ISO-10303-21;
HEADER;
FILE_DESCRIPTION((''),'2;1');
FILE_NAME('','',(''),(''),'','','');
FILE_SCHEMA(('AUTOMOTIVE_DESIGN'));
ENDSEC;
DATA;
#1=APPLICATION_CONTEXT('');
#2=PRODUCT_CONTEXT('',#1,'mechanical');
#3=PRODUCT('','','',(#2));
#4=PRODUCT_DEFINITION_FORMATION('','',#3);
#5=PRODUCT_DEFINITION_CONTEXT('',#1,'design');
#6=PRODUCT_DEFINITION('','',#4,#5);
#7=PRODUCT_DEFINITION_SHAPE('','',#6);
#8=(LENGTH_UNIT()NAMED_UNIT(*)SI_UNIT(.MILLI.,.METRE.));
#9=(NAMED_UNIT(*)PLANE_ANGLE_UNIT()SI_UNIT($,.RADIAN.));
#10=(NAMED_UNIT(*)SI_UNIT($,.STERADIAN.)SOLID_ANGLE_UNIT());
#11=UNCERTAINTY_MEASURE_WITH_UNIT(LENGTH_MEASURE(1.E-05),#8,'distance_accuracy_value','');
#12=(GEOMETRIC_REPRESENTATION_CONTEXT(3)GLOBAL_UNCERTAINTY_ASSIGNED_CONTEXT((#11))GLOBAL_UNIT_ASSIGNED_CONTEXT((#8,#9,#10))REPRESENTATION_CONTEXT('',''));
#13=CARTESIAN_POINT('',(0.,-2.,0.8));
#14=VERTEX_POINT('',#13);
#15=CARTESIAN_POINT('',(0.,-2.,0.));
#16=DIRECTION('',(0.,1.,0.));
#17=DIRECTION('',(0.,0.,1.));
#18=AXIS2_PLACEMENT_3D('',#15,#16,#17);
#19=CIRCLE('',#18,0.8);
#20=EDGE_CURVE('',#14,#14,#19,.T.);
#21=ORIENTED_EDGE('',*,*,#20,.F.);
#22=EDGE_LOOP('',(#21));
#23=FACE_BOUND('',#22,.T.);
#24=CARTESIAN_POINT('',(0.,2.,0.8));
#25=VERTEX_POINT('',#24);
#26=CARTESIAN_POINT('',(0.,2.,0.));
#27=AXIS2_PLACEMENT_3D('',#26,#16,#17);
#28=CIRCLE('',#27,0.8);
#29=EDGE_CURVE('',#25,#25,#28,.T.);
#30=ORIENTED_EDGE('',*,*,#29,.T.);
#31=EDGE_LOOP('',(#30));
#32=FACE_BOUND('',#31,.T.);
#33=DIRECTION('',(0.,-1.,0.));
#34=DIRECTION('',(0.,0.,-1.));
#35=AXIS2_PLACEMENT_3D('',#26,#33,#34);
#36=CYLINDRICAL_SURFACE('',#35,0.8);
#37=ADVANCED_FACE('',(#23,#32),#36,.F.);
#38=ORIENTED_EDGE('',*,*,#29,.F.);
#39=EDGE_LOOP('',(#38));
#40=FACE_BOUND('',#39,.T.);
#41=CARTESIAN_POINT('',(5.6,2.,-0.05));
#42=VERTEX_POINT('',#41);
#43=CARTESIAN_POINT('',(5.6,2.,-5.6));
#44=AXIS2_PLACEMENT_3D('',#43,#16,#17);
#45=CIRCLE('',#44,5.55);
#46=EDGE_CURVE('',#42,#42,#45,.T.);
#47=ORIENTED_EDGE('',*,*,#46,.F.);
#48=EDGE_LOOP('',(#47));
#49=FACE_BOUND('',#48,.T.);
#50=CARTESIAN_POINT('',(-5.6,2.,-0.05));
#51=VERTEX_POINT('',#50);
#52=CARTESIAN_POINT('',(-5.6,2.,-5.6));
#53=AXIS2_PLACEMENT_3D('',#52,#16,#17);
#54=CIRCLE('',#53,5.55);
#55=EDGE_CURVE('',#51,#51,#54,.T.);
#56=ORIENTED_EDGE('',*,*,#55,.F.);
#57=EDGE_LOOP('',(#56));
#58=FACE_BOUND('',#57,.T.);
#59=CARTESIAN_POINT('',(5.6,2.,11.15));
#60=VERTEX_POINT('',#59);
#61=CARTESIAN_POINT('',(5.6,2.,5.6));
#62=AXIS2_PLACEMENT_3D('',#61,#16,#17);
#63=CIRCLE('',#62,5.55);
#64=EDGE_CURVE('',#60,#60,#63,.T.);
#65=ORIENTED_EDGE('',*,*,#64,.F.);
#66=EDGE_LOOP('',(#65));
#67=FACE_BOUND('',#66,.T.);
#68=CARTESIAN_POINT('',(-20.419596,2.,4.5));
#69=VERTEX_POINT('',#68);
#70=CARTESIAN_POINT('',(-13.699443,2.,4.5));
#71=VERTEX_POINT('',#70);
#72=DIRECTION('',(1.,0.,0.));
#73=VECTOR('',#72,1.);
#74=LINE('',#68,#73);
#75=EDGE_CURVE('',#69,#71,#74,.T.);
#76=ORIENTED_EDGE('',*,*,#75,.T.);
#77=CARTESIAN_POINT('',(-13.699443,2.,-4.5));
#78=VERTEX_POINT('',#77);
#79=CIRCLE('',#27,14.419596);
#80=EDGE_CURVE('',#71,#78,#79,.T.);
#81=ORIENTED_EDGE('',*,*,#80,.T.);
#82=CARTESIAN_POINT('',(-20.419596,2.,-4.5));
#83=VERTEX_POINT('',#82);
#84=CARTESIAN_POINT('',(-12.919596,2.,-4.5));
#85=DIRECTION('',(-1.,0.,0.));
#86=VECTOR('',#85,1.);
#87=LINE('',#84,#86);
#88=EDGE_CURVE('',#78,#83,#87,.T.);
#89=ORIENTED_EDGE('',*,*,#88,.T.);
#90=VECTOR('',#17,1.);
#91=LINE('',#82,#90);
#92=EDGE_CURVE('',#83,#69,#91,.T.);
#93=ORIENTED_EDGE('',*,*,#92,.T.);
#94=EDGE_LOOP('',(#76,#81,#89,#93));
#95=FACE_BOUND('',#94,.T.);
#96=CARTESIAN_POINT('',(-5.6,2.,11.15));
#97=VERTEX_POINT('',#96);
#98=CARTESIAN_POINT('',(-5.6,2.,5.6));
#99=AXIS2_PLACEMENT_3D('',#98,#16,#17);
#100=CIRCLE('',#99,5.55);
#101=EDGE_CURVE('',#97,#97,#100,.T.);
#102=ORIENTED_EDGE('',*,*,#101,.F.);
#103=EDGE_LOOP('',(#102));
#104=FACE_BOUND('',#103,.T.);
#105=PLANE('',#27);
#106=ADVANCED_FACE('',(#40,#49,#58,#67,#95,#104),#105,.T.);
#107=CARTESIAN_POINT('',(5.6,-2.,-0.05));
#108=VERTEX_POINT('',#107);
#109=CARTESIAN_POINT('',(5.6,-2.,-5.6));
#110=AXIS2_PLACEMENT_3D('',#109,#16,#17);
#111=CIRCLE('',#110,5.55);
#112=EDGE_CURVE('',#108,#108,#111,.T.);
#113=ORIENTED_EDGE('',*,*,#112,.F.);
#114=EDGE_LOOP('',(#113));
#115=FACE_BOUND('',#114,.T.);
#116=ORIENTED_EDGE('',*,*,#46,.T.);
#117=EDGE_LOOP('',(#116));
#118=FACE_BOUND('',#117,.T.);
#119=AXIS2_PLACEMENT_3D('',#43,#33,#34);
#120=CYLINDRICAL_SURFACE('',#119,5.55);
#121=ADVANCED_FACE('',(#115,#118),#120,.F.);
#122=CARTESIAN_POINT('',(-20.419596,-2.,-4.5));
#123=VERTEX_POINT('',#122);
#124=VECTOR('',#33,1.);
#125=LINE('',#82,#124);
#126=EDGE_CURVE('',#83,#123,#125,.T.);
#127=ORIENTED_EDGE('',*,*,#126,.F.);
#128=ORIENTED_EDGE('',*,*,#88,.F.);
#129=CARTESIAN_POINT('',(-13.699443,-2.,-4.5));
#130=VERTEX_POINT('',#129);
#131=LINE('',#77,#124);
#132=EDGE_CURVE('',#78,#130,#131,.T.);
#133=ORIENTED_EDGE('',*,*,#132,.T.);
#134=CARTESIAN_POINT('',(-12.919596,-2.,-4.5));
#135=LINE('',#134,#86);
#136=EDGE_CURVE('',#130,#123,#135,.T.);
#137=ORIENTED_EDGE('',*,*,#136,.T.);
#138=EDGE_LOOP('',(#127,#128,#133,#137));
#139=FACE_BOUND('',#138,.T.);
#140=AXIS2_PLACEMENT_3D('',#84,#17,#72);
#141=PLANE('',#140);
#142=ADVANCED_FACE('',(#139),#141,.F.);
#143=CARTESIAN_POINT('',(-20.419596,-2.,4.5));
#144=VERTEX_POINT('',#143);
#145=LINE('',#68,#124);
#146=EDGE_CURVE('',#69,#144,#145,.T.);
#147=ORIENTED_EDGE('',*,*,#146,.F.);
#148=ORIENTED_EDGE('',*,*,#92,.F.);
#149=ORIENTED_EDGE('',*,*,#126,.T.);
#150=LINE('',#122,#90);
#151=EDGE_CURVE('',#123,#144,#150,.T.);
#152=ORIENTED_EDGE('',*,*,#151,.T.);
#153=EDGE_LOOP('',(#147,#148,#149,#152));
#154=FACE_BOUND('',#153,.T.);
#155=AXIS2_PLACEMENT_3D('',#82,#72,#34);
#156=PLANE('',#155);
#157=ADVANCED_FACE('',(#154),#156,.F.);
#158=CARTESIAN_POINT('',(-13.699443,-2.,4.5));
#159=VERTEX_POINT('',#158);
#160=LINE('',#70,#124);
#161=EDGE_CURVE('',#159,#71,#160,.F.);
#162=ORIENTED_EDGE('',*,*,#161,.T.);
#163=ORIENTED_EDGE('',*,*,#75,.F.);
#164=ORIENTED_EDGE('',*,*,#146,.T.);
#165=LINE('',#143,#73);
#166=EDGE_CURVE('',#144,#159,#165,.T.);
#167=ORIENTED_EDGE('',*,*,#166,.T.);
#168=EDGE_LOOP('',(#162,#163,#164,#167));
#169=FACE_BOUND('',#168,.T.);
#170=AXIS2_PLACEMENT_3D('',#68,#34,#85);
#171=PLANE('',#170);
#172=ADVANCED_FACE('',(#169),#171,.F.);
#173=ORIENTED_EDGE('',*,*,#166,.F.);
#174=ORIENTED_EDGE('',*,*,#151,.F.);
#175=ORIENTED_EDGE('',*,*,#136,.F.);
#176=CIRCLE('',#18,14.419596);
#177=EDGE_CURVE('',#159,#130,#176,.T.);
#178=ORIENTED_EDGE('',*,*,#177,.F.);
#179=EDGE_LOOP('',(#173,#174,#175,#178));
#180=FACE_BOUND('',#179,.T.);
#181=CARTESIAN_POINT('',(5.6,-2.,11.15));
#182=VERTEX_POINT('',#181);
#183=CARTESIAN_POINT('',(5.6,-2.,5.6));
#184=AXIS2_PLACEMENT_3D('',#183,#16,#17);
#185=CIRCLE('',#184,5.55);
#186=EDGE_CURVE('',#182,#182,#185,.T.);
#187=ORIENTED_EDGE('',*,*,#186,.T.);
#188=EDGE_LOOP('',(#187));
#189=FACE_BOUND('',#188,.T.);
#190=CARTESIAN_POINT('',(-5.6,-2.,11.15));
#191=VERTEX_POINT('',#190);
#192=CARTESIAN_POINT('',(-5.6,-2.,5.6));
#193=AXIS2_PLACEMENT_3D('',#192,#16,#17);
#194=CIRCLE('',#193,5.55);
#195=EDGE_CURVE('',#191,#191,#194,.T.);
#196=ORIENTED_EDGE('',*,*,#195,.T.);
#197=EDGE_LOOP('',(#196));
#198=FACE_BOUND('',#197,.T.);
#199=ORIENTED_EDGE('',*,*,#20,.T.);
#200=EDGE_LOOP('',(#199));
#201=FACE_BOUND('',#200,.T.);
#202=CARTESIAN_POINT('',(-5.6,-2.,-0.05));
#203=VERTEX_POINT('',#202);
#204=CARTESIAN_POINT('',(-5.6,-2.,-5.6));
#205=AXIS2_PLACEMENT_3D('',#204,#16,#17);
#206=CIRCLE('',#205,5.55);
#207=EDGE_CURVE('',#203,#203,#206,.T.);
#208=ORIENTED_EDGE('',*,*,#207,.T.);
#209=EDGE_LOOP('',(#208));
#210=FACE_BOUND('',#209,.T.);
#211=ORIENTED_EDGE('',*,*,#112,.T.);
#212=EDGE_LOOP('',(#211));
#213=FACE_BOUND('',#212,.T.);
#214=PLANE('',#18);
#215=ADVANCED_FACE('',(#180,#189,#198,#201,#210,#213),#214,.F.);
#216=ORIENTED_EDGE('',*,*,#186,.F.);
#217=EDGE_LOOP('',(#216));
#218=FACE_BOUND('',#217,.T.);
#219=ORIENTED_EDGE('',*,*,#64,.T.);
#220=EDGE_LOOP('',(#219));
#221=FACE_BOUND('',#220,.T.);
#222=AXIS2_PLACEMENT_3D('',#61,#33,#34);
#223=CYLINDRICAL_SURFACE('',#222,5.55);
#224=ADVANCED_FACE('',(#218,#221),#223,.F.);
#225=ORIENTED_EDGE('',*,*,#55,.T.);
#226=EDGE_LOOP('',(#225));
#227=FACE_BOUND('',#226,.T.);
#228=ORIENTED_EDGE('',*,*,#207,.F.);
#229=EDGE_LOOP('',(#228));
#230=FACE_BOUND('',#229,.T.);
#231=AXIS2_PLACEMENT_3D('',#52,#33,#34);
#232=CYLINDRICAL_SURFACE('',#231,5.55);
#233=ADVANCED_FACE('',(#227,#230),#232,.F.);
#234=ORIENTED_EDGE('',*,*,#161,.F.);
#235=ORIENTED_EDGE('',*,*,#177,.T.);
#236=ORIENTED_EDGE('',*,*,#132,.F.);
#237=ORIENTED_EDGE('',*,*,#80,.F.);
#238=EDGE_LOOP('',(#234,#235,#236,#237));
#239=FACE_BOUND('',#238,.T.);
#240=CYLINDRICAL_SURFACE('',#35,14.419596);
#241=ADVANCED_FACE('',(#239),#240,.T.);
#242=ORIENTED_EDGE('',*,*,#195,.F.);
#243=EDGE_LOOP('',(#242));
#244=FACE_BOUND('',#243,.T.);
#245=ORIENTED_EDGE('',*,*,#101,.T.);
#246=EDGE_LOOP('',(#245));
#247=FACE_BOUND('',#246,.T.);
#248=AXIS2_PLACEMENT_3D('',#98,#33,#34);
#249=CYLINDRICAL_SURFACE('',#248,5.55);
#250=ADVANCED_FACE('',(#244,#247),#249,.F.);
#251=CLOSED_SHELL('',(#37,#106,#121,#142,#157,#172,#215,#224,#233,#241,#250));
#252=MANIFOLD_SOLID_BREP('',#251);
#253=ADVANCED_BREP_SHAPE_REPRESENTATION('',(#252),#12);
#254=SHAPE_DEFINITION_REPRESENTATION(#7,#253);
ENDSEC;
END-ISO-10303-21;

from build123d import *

# Parameters (mm, degrees)
SKETCH1_R           = 14.419595949
SKETCH1_R_2         = 5.55
SKETCH1_R_3         = 0.8
PLACA_CABEZAL_DEPTH = 4
SKETCH2_W           = 7.5
SKETCH2_H           = 9
PATA_AL_HUESO_DEPTH = 4


with BuildPart() as part:
    # Sketch1 → Placa_cabezal (new body)
    with BuildSketch(Plane(origin=(0, -2, 0), x_dir=(1, 0, 0), z_dir=(0, 1, 0))):
        with Locations(Location((0, 0, 0), (0, 0, 270))):
            Circle(SKETCH1_R)
        with Locations(Location((5.6, 5.6, 0), (0, 0, 270))):
            Circle(SKETCH1_R_2, mode=Mode.SUBTRACT)
        with Locations(Location((-5.6, 5.6, 0), (0, 0, 270))):
            Circle(SKETCH1_R_2, mode=Mode.SUBTRACT)
        with Locations(Location((-5.6, -5.6, 0), (0, 0, 270))):
            Circle(SKETCH1_R_2, mode=Mode.SUBTRACT)
        with Locations(Location((5.6, -5.6, 0), (0, 0, 270))):
            Circle(SKETCH1_R_2, mode=Mode.SUBTRACT)
        with Locations(Location((0, 0, 0), (0, 0, 270))):
            Circle(SKETCH1_R_3, mode=Mode.SUBTRACT)
    extrude(amount=PLACA_CABEZAL_DEPTH)

    # Sketch2 → Pata_al_hueso (add)
    with BuildSketch(Plane(origin=(0, -2, 0), x_dir=(1, 0, 0), z_dir=(0, 1, 0))):
        with Locations((-16.669595949, 0)):
            Rectangle(SKETCH2_W, SKETCH2_H)
    extrude(amount=PATA_AL_HUESO_DEPTH)


solid = part.part
